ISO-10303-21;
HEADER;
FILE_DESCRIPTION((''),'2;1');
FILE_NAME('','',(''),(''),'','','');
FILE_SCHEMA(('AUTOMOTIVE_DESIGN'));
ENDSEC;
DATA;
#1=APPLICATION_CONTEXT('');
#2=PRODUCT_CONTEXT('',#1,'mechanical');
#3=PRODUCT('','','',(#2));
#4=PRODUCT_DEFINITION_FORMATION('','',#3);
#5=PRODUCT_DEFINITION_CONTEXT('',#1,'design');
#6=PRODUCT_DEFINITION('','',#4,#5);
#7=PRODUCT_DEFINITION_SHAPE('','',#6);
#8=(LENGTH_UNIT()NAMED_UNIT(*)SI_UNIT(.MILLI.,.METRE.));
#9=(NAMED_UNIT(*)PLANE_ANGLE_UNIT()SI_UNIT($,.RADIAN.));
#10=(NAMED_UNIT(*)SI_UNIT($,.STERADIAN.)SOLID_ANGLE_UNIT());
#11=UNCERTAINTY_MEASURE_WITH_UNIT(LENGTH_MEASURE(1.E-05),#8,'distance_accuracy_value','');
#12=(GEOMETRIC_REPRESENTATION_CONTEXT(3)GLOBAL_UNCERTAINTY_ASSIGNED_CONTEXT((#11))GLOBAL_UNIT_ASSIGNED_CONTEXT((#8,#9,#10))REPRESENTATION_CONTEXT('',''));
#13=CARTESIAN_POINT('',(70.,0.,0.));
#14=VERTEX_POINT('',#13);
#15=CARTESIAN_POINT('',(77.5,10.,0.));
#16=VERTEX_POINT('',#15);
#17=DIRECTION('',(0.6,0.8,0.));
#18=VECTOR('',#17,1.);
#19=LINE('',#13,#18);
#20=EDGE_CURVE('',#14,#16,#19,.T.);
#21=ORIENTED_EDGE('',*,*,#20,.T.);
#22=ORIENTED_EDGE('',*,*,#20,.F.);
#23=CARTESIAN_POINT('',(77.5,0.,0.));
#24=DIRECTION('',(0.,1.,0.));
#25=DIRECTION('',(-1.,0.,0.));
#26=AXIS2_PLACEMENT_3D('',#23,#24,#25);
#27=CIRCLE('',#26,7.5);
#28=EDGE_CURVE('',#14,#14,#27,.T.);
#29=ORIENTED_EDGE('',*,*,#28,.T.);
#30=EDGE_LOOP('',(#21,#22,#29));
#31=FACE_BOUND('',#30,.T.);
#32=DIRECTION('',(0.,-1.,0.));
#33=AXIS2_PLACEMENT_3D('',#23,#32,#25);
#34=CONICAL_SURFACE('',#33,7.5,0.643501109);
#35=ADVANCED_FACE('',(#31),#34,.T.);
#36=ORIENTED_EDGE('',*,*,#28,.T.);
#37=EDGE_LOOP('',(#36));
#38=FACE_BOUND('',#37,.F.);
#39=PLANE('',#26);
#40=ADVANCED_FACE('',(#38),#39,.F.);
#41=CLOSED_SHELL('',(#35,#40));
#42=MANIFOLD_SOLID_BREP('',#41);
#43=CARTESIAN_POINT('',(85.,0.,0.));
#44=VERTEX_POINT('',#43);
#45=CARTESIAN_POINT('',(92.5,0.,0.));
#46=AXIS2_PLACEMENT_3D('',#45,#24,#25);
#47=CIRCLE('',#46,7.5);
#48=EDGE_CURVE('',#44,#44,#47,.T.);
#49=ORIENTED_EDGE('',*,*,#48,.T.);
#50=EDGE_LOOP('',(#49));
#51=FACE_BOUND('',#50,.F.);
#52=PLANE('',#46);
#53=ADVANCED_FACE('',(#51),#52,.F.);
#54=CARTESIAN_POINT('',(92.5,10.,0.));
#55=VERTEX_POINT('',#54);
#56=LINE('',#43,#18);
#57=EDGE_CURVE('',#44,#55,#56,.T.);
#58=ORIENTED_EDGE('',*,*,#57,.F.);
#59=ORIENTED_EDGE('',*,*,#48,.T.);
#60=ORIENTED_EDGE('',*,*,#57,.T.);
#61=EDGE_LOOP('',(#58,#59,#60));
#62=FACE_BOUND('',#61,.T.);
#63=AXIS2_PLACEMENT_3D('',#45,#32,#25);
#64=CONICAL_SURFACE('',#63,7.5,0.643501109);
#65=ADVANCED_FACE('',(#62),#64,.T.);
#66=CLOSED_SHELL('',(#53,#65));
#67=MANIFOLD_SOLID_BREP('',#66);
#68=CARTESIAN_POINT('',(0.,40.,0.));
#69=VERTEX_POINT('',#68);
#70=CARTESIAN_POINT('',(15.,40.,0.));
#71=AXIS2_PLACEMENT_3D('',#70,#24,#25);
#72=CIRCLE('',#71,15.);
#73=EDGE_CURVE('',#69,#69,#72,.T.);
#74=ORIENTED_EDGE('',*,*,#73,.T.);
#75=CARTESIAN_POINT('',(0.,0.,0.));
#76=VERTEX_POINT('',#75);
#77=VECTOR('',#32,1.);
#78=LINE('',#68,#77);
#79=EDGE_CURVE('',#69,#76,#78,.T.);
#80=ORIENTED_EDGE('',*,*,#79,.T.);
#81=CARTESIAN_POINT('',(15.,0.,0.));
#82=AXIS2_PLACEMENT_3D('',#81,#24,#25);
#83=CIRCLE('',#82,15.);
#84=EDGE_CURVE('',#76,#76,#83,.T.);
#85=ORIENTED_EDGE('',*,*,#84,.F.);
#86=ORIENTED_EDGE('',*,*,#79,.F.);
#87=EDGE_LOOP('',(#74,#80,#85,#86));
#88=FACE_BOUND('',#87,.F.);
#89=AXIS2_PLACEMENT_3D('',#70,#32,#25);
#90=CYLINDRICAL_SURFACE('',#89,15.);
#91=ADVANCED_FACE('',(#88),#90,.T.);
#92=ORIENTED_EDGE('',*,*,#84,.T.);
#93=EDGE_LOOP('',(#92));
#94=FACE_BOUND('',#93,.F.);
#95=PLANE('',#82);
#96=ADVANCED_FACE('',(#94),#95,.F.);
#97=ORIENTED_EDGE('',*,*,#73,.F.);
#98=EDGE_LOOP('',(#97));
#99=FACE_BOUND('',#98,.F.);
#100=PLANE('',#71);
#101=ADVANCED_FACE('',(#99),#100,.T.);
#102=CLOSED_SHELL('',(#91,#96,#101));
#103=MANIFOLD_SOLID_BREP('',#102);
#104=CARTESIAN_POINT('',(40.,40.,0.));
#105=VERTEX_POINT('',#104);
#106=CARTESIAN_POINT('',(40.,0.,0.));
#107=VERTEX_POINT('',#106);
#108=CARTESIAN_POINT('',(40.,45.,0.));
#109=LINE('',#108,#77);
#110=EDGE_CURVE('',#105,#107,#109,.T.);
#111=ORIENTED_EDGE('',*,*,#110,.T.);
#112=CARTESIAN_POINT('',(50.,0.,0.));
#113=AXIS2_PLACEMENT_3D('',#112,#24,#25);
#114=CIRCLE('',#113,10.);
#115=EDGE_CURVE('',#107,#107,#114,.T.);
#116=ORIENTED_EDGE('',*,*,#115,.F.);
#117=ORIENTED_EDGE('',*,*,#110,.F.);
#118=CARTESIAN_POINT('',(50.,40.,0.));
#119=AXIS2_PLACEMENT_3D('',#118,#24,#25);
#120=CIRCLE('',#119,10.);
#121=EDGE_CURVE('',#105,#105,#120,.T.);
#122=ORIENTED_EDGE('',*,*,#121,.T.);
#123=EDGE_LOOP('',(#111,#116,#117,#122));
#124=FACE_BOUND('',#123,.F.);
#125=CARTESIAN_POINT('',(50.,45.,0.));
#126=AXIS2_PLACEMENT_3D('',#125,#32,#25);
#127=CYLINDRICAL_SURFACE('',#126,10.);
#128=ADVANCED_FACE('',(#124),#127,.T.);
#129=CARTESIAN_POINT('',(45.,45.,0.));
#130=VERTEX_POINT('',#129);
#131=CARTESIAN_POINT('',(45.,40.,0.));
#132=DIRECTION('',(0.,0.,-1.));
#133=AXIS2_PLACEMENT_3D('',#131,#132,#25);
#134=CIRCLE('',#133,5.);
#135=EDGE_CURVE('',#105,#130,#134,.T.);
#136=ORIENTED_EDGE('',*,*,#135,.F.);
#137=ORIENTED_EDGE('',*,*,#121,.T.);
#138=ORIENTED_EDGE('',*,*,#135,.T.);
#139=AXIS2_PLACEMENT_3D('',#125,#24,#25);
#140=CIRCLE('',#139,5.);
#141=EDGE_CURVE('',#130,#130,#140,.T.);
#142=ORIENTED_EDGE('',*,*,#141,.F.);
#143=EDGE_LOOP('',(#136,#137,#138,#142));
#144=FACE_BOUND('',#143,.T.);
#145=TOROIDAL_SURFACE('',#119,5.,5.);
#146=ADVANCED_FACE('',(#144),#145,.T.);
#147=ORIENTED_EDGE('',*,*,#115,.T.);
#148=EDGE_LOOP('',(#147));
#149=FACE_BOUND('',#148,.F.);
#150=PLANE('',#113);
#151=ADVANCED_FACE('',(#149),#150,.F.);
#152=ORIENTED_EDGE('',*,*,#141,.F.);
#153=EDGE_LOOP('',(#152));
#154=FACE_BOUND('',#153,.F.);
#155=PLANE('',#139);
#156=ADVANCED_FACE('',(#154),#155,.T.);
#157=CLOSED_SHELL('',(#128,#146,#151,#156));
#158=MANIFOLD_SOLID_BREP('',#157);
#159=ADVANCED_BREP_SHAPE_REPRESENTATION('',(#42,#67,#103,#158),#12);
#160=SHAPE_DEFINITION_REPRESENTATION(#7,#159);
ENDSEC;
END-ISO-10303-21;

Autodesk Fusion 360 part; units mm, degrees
sketch "스케치1" plane through (0, 0, 0) normal (0, 0, 1) x (1, 0, 0)
  line L0 (0, 0) -> (15, 0)
  line L1 (15, 0) -> (15, 40)
  line L2 (15, 40) -> (0, 40)
  line L3 (0, 40) -> (0, 0)
  line L4 (40, 0) -> (50, 0)
  line L5 (50, 0) -> (50, 45)
  line L6 (50, 45) -> (40, 45)
  line L7 (40, 45) -> (40, 0)
  line L8 (70, 0) -> (85, 0)
  line L9 (85, 0) -> (100, 0)
  line L10 (77.5, 0) -> (77.5, 10)
  line L11 (92.5, 0) -> (92.5, 10)
  line L12 (70, 0) -> (77.5, 10)
  line L13 (77.5, 10) -> (85, 0)
  line L14 (85, 0) -> (92.5, 10)
  line L15 (92.5, 10) -> (100, 0)
  line L16 (85, 0) -> (85, -2)
  dimension "d1" = 15
  dimension "d2" = 40
  dimension "d3" = 10
  dimension "d4" = 45
  dimension "d5" = 15
  dimension "d6" = 15
revolve "회전1" add sketch "스케치1" angle 360 about axis through (15, 0, 0) along (0, 1, 0) contours L0 L1 L2 L3 makes body 1
revolve "회전2" add sketch "스케치1" angle 360 about axis through (50, 0, 0) along (0, 1, 0) separate body contours L4 L5 L6 L7 makes body 2
revolve "회전3" add sketch "스케치1" angle 360 about axis through (77.5, 0, 0) along (0, 1, 0) separate body contours L8 L10 L12 makes body 3
revolve "회전4" add sketch "스케치1" angle 360 about axis through (92.5, 0, 0) along (0, 1, 0) separate body contours L9 L11 L14 makes body 4
fillet "필렛1" radius 5 1 edges at (40.6767, 45, 3.6162) on bodies 2
